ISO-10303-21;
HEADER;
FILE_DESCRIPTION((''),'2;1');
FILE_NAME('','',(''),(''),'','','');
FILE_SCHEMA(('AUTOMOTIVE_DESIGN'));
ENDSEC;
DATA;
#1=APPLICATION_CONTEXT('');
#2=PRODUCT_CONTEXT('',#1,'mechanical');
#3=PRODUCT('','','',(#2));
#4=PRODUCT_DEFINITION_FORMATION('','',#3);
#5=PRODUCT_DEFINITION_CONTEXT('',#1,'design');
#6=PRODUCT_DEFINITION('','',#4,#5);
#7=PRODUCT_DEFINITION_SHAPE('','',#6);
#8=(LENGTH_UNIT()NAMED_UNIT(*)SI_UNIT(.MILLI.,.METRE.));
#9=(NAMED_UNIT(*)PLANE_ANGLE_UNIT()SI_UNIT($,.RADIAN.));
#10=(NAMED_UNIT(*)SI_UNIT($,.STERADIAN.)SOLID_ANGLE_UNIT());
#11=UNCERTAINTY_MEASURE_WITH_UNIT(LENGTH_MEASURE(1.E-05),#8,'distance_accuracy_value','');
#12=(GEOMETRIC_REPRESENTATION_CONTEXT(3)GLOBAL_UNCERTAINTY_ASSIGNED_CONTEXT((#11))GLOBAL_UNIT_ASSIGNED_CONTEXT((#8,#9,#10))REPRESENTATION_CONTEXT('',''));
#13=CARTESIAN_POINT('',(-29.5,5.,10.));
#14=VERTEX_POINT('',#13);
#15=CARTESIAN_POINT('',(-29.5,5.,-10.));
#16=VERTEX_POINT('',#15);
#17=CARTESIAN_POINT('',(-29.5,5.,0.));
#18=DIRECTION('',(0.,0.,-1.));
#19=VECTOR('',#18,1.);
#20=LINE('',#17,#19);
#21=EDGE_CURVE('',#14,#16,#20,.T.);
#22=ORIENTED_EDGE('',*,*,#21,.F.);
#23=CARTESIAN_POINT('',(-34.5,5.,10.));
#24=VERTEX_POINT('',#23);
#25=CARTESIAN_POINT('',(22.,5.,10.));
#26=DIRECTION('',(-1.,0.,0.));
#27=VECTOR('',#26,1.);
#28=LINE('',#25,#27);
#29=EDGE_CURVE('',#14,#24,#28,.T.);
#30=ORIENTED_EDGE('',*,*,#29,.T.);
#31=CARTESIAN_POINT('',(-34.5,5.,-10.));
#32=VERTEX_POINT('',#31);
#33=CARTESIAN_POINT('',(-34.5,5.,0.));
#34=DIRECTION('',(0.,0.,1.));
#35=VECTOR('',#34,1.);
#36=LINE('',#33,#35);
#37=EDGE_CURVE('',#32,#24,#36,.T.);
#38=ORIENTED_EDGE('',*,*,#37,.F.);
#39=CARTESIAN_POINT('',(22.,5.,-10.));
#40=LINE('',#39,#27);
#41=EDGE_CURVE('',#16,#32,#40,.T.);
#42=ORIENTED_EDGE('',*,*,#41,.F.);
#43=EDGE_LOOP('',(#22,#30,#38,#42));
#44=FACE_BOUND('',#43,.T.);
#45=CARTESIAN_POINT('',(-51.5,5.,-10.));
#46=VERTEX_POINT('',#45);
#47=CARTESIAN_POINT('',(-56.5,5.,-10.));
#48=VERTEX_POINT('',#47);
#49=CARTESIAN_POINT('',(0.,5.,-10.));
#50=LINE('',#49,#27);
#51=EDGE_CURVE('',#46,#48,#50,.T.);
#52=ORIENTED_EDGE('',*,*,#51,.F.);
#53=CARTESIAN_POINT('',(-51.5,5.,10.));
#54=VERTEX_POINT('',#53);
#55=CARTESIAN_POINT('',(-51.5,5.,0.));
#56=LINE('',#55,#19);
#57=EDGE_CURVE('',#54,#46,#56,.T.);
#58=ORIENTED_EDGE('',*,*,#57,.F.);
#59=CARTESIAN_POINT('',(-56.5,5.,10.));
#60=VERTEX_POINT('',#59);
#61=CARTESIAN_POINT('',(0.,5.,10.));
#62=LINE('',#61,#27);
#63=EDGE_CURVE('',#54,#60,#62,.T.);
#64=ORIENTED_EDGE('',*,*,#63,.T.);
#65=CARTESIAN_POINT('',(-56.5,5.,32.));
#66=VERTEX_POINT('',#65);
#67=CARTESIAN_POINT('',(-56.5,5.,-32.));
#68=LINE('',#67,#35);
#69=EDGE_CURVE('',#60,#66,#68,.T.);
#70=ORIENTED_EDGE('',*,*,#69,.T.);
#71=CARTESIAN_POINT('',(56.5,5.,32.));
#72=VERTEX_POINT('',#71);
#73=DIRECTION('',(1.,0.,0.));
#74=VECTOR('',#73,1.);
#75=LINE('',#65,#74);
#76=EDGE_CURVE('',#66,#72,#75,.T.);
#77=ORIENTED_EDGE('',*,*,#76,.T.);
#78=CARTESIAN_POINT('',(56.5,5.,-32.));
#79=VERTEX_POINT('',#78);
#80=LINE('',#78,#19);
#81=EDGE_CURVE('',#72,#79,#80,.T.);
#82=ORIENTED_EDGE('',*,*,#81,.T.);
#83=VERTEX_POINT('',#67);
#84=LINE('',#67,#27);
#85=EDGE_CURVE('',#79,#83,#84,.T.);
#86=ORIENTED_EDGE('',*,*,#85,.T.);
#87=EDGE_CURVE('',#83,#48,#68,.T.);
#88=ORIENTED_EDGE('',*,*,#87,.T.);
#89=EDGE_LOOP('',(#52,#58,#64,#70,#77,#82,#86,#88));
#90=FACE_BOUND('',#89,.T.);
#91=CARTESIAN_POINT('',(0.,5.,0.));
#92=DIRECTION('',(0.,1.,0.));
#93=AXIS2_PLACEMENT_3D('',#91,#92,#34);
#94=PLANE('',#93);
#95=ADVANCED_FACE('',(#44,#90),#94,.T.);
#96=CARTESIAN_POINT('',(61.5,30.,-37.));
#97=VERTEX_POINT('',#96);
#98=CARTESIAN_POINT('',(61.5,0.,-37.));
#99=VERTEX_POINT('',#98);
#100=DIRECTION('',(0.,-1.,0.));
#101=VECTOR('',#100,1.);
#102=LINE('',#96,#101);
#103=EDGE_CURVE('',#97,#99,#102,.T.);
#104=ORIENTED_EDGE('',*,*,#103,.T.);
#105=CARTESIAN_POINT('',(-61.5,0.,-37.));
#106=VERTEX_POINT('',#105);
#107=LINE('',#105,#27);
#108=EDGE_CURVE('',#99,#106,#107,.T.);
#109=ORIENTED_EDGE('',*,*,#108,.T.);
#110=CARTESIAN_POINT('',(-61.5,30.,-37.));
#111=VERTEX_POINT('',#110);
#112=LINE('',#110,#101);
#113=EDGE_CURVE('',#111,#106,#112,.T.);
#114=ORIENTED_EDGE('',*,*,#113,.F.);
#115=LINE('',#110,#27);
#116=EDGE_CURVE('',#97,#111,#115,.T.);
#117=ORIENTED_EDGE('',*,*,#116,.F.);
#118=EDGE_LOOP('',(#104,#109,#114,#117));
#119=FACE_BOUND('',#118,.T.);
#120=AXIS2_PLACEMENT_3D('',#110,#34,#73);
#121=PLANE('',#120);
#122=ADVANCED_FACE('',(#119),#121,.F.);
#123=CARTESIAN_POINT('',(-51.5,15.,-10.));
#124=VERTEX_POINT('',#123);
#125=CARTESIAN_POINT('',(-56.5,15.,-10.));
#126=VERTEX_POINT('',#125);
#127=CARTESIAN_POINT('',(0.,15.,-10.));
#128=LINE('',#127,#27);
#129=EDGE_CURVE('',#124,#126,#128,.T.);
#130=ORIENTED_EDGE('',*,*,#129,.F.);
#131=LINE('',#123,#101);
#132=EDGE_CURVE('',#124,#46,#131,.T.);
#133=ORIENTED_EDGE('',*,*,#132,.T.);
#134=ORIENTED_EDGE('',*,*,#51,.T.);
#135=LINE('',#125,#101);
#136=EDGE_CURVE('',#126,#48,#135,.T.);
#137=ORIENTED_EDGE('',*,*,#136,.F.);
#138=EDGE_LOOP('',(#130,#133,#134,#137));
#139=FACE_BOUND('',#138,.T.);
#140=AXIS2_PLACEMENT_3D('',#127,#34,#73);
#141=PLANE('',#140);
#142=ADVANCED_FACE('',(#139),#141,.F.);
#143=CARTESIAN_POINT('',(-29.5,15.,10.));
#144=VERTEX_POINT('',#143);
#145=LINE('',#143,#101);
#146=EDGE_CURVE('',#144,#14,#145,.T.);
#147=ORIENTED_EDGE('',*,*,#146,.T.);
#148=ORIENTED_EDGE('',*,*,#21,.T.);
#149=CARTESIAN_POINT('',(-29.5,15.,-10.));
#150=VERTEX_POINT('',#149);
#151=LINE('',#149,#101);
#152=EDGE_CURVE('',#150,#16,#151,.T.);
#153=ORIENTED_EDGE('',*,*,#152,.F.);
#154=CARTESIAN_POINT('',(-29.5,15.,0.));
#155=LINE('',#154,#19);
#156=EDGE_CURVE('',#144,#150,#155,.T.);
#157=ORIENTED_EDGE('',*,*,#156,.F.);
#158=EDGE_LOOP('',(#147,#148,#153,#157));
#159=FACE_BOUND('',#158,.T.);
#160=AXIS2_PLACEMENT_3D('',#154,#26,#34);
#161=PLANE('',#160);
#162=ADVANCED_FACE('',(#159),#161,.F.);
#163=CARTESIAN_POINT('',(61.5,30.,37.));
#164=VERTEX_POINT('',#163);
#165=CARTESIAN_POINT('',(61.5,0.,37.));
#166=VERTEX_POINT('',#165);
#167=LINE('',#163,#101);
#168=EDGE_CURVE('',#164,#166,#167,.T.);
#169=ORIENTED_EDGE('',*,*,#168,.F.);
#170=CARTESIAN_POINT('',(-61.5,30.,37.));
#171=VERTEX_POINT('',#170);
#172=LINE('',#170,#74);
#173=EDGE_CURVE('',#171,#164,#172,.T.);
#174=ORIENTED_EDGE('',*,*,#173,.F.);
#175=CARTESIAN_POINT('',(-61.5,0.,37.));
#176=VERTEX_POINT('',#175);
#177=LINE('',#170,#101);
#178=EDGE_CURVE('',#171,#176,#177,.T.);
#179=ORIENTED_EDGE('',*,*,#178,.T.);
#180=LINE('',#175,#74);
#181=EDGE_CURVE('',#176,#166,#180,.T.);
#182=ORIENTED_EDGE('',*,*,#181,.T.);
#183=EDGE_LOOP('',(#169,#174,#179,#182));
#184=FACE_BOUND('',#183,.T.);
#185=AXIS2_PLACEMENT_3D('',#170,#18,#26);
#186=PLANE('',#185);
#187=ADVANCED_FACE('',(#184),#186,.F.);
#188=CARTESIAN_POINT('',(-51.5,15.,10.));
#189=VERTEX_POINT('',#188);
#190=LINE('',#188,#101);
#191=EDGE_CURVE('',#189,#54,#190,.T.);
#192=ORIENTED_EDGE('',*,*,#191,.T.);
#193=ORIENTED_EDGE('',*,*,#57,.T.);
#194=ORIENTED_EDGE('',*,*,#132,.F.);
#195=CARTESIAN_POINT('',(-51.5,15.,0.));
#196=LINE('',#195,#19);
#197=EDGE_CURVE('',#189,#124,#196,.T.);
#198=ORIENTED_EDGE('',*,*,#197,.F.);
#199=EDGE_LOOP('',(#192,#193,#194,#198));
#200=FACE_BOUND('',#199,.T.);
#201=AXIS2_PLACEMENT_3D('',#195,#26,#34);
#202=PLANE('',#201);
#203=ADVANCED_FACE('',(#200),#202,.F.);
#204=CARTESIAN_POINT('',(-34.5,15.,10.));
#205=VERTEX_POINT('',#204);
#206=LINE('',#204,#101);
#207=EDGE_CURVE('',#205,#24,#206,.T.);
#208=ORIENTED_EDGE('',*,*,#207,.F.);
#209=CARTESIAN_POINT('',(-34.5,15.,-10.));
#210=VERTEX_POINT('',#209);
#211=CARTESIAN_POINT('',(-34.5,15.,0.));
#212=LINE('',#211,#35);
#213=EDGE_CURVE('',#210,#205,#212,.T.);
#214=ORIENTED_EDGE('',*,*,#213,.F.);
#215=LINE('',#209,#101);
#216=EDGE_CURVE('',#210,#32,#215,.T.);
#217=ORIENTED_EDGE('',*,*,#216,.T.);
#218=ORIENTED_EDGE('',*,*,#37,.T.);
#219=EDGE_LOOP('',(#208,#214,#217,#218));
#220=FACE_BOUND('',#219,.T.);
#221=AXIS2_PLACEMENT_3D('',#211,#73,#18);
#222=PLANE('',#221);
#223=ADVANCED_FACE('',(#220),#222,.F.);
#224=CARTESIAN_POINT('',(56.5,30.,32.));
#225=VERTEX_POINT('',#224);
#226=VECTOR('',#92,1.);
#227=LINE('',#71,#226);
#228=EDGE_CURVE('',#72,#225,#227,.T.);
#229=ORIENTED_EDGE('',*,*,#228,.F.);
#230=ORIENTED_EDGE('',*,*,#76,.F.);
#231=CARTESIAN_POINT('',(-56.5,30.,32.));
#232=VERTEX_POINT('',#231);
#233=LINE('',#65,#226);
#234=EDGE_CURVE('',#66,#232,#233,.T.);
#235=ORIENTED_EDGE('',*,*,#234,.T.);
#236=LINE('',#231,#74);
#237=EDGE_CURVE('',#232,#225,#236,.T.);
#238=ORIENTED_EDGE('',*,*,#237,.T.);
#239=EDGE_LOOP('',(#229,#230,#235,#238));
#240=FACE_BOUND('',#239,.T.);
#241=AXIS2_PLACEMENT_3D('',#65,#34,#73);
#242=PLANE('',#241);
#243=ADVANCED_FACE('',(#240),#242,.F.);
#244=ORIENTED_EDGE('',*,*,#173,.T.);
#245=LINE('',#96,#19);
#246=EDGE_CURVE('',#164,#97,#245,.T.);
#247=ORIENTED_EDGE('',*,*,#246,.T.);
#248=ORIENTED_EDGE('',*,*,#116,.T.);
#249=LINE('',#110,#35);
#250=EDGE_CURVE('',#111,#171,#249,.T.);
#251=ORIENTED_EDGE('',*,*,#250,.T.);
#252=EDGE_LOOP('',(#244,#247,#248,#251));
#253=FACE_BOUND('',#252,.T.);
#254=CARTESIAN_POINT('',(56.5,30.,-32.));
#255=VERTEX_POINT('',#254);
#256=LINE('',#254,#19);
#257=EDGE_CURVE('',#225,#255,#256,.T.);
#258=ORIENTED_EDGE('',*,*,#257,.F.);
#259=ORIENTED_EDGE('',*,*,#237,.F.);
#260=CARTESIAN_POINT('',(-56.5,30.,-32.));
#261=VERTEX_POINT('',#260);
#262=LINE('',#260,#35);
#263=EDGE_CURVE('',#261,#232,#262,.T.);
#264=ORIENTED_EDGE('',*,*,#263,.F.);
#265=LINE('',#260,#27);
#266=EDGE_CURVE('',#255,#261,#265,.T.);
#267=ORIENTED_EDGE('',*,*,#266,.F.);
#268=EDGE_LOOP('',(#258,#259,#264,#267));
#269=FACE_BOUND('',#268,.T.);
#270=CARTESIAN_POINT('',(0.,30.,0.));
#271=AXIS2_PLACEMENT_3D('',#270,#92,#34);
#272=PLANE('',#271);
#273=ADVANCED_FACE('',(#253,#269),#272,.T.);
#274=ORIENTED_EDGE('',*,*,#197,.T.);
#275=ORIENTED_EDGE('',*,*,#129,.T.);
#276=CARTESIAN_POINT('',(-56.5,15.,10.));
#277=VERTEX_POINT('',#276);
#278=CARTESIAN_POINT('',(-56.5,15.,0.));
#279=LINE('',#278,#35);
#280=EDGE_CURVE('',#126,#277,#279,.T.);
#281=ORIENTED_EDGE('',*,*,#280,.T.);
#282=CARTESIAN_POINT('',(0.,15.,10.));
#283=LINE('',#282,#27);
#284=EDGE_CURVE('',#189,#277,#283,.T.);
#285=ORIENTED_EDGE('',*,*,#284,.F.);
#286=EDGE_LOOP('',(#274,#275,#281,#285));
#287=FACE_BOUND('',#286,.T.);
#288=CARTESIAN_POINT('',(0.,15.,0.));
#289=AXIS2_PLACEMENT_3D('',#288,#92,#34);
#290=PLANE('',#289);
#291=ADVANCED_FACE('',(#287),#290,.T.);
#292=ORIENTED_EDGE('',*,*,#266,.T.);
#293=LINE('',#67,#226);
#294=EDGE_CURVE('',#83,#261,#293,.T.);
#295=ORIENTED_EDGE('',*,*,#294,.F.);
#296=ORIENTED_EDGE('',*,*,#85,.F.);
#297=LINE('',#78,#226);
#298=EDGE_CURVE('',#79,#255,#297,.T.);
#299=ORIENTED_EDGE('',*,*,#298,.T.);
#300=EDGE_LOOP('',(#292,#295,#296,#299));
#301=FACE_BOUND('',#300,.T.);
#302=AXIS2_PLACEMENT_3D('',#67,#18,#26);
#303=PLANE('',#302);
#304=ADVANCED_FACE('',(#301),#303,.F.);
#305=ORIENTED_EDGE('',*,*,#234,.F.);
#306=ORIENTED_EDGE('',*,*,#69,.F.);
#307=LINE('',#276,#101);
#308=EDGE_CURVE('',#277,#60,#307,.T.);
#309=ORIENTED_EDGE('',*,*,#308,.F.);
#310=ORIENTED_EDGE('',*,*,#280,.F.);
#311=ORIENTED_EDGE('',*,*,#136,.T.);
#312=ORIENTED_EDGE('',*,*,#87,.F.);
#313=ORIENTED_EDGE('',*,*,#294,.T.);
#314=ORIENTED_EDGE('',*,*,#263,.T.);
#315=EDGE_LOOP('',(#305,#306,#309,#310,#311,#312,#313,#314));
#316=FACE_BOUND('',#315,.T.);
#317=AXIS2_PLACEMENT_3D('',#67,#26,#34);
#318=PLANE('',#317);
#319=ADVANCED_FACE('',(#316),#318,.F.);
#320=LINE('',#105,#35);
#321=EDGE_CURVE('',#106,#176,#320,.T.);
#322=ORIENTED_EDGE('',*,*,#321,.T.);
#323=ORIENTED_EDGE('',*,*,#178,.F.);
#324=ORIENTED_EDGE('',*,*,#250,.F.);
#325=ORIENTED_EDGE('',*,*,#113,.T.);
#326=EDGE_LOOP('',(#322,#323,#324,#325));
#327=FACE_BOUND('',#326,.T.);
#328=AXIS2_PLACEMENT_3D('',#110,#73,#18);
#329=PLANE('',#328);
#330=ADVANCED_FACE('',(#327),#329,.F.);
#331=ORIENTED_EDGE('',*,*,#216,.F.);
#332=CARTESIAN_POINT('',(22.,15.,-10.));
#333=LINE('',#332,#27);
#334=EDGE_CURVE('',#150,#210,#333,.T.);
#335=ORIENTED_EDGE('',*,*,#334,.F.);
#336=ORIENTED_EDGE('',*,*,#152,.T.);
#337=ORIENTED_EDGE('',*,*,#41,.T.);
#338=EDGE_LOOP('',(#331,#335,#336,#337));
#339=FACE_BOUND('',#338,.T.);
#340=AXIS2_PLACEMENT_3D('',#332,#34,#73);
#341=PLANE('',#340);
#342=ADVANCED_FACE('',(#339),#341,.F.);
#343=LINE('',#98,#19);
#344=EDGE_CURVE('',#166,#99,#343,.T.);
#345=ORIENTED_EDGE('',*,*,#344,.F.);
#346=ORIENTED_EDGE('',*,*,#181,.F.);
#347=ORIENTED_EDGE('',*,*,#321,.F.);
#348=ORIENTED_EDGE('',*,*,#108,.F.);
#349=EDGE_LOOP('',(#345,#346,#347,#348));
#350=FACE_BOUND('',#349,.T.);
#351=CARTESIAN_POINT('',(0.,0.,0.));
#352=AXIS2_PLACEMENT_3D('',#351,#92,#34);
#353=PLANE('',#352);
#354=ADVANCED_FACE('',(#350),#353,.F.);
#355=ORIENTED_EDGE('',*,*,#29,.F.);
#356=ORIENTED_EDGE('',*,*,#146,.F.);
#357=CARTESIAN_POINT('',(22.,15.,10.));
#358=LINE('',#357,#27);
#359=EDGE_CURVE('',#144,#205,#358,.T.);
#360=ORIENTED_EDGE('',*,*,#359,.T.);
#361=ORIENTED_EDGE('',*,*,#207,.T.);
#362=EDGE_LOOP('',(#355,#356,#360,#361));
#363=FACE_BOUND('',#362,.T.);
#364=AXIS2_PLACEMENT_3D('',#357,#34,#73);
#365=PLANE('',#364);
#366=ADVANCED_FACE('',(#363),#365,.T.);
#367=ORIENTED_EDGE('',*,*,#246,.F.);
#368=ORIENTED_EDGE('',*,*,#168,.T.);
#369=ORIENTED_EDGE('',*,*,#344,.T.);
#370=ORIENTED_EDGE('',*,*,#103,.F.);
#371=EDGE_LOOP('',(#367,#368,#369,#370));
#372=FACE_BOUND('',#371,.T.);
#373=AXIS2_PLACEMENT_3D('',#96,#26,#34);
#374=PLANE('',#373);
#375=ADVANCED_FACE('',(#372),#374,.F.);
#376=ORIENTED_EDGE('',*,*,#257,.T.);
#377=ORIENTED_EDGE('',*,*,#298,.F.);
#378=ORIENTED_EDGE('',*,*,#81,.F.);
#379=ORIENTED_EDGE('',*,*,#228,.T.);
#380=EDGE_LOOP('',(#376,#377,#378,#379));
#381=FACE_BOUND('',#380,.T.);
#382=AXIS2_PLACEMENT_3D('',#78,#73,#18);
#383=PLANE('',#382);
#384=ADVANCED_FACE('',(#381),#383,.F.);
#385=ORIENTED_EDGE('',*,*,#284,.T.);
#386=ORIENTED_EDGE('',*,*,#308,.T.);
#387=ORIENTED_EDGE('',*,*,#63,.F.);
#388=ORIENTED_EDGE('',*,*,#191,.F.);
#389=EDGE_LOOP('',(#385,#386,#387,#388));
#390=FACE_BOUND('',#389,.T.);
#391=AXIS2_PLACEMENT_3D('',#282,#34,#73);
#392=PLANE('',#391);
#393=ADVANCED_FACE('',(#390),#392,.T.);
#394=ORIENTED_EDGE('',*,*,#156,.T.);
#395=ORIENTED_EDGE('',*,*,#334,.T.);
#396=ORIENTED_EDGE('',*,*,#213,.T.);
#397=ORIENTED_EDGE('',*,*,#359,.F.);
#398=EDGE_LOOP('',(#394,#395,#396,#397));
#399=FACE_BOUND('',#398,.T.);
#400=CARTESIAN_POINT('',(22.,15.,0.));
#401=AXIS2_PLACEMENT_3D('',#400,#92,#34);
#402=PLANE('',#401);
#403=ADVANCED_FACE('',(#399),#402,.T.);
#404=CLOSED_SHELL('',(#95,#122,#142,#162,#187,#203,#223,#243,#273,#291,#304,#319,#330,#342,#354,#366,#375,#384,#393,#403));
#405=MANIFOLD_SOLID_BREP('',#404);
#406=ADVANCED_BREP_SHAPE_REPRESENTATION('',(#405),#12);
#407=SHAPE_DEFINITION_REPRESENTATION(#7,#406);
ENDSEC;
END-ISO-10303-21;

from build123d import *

# Parameters (mm, degrees)
SKETCH1_W           = 123
SKETCH1_H           = 74
BOSS_EXTRUDE1_DEPTH = 30
SKETCH2_W           = 113
SKETCH2_H           = 64
CUT_EXTRUDE1_DEPTH  = 25
BOSS_EXTRUDE2_DEPTH = 10
LPATTERN1_COUNT     = 2
LPATTERN1_PITCH     = 22


with BuildPart() as part:
    # Sketch1 → Boss-Extrude1 (new body)
    with BuildSketch(Plane(origin=(0, 0, 0), x_dir=(1, 0, 0), z_dir=(0, 1, 0))):
        Rectangle(SKETCH1_W, SKETCH1_H)
    extrude(amount=BOSS_EXTRUDE1_DEPTH)

    # Sketch2 → Cut-Extrude1 (cut)
    with BuildSketch(Plane(origin=(0, 30, 0), x_dir=(1, 0, 0), z_dir=(0, 1, 0))):
        Rectangle(SKETCH2_W, SKETCH2_H)
    extrude(amount=-CUT_EXTRUDE1_DEPTH, mode=Mode.SUBTRACT)

    # Sketch4 → Boss-Extrude2 (add)
    with BuildSketch(Plane(origin=(0, 5, 0), x_dir=(1, 0, 0), z_dir=(0, 1, 0))):
        Polygon((-56.5, -10), (-51.5, -10), (-51.5, 10), (-56.5, 10), (-56.5, 0), align=None)
    boss_extrude2 = extrude(amount=BOSS_EXTRUDE2_DEPTH)

    # LPattern1: Boss-Extrude2 ×2
    with Locations(*[(i * LPATTERN1_PITCH, 0, 0) for i in range(1, LPATTERN1_COUNT)]):
        add(boss_extrude2)


solid = part.part
